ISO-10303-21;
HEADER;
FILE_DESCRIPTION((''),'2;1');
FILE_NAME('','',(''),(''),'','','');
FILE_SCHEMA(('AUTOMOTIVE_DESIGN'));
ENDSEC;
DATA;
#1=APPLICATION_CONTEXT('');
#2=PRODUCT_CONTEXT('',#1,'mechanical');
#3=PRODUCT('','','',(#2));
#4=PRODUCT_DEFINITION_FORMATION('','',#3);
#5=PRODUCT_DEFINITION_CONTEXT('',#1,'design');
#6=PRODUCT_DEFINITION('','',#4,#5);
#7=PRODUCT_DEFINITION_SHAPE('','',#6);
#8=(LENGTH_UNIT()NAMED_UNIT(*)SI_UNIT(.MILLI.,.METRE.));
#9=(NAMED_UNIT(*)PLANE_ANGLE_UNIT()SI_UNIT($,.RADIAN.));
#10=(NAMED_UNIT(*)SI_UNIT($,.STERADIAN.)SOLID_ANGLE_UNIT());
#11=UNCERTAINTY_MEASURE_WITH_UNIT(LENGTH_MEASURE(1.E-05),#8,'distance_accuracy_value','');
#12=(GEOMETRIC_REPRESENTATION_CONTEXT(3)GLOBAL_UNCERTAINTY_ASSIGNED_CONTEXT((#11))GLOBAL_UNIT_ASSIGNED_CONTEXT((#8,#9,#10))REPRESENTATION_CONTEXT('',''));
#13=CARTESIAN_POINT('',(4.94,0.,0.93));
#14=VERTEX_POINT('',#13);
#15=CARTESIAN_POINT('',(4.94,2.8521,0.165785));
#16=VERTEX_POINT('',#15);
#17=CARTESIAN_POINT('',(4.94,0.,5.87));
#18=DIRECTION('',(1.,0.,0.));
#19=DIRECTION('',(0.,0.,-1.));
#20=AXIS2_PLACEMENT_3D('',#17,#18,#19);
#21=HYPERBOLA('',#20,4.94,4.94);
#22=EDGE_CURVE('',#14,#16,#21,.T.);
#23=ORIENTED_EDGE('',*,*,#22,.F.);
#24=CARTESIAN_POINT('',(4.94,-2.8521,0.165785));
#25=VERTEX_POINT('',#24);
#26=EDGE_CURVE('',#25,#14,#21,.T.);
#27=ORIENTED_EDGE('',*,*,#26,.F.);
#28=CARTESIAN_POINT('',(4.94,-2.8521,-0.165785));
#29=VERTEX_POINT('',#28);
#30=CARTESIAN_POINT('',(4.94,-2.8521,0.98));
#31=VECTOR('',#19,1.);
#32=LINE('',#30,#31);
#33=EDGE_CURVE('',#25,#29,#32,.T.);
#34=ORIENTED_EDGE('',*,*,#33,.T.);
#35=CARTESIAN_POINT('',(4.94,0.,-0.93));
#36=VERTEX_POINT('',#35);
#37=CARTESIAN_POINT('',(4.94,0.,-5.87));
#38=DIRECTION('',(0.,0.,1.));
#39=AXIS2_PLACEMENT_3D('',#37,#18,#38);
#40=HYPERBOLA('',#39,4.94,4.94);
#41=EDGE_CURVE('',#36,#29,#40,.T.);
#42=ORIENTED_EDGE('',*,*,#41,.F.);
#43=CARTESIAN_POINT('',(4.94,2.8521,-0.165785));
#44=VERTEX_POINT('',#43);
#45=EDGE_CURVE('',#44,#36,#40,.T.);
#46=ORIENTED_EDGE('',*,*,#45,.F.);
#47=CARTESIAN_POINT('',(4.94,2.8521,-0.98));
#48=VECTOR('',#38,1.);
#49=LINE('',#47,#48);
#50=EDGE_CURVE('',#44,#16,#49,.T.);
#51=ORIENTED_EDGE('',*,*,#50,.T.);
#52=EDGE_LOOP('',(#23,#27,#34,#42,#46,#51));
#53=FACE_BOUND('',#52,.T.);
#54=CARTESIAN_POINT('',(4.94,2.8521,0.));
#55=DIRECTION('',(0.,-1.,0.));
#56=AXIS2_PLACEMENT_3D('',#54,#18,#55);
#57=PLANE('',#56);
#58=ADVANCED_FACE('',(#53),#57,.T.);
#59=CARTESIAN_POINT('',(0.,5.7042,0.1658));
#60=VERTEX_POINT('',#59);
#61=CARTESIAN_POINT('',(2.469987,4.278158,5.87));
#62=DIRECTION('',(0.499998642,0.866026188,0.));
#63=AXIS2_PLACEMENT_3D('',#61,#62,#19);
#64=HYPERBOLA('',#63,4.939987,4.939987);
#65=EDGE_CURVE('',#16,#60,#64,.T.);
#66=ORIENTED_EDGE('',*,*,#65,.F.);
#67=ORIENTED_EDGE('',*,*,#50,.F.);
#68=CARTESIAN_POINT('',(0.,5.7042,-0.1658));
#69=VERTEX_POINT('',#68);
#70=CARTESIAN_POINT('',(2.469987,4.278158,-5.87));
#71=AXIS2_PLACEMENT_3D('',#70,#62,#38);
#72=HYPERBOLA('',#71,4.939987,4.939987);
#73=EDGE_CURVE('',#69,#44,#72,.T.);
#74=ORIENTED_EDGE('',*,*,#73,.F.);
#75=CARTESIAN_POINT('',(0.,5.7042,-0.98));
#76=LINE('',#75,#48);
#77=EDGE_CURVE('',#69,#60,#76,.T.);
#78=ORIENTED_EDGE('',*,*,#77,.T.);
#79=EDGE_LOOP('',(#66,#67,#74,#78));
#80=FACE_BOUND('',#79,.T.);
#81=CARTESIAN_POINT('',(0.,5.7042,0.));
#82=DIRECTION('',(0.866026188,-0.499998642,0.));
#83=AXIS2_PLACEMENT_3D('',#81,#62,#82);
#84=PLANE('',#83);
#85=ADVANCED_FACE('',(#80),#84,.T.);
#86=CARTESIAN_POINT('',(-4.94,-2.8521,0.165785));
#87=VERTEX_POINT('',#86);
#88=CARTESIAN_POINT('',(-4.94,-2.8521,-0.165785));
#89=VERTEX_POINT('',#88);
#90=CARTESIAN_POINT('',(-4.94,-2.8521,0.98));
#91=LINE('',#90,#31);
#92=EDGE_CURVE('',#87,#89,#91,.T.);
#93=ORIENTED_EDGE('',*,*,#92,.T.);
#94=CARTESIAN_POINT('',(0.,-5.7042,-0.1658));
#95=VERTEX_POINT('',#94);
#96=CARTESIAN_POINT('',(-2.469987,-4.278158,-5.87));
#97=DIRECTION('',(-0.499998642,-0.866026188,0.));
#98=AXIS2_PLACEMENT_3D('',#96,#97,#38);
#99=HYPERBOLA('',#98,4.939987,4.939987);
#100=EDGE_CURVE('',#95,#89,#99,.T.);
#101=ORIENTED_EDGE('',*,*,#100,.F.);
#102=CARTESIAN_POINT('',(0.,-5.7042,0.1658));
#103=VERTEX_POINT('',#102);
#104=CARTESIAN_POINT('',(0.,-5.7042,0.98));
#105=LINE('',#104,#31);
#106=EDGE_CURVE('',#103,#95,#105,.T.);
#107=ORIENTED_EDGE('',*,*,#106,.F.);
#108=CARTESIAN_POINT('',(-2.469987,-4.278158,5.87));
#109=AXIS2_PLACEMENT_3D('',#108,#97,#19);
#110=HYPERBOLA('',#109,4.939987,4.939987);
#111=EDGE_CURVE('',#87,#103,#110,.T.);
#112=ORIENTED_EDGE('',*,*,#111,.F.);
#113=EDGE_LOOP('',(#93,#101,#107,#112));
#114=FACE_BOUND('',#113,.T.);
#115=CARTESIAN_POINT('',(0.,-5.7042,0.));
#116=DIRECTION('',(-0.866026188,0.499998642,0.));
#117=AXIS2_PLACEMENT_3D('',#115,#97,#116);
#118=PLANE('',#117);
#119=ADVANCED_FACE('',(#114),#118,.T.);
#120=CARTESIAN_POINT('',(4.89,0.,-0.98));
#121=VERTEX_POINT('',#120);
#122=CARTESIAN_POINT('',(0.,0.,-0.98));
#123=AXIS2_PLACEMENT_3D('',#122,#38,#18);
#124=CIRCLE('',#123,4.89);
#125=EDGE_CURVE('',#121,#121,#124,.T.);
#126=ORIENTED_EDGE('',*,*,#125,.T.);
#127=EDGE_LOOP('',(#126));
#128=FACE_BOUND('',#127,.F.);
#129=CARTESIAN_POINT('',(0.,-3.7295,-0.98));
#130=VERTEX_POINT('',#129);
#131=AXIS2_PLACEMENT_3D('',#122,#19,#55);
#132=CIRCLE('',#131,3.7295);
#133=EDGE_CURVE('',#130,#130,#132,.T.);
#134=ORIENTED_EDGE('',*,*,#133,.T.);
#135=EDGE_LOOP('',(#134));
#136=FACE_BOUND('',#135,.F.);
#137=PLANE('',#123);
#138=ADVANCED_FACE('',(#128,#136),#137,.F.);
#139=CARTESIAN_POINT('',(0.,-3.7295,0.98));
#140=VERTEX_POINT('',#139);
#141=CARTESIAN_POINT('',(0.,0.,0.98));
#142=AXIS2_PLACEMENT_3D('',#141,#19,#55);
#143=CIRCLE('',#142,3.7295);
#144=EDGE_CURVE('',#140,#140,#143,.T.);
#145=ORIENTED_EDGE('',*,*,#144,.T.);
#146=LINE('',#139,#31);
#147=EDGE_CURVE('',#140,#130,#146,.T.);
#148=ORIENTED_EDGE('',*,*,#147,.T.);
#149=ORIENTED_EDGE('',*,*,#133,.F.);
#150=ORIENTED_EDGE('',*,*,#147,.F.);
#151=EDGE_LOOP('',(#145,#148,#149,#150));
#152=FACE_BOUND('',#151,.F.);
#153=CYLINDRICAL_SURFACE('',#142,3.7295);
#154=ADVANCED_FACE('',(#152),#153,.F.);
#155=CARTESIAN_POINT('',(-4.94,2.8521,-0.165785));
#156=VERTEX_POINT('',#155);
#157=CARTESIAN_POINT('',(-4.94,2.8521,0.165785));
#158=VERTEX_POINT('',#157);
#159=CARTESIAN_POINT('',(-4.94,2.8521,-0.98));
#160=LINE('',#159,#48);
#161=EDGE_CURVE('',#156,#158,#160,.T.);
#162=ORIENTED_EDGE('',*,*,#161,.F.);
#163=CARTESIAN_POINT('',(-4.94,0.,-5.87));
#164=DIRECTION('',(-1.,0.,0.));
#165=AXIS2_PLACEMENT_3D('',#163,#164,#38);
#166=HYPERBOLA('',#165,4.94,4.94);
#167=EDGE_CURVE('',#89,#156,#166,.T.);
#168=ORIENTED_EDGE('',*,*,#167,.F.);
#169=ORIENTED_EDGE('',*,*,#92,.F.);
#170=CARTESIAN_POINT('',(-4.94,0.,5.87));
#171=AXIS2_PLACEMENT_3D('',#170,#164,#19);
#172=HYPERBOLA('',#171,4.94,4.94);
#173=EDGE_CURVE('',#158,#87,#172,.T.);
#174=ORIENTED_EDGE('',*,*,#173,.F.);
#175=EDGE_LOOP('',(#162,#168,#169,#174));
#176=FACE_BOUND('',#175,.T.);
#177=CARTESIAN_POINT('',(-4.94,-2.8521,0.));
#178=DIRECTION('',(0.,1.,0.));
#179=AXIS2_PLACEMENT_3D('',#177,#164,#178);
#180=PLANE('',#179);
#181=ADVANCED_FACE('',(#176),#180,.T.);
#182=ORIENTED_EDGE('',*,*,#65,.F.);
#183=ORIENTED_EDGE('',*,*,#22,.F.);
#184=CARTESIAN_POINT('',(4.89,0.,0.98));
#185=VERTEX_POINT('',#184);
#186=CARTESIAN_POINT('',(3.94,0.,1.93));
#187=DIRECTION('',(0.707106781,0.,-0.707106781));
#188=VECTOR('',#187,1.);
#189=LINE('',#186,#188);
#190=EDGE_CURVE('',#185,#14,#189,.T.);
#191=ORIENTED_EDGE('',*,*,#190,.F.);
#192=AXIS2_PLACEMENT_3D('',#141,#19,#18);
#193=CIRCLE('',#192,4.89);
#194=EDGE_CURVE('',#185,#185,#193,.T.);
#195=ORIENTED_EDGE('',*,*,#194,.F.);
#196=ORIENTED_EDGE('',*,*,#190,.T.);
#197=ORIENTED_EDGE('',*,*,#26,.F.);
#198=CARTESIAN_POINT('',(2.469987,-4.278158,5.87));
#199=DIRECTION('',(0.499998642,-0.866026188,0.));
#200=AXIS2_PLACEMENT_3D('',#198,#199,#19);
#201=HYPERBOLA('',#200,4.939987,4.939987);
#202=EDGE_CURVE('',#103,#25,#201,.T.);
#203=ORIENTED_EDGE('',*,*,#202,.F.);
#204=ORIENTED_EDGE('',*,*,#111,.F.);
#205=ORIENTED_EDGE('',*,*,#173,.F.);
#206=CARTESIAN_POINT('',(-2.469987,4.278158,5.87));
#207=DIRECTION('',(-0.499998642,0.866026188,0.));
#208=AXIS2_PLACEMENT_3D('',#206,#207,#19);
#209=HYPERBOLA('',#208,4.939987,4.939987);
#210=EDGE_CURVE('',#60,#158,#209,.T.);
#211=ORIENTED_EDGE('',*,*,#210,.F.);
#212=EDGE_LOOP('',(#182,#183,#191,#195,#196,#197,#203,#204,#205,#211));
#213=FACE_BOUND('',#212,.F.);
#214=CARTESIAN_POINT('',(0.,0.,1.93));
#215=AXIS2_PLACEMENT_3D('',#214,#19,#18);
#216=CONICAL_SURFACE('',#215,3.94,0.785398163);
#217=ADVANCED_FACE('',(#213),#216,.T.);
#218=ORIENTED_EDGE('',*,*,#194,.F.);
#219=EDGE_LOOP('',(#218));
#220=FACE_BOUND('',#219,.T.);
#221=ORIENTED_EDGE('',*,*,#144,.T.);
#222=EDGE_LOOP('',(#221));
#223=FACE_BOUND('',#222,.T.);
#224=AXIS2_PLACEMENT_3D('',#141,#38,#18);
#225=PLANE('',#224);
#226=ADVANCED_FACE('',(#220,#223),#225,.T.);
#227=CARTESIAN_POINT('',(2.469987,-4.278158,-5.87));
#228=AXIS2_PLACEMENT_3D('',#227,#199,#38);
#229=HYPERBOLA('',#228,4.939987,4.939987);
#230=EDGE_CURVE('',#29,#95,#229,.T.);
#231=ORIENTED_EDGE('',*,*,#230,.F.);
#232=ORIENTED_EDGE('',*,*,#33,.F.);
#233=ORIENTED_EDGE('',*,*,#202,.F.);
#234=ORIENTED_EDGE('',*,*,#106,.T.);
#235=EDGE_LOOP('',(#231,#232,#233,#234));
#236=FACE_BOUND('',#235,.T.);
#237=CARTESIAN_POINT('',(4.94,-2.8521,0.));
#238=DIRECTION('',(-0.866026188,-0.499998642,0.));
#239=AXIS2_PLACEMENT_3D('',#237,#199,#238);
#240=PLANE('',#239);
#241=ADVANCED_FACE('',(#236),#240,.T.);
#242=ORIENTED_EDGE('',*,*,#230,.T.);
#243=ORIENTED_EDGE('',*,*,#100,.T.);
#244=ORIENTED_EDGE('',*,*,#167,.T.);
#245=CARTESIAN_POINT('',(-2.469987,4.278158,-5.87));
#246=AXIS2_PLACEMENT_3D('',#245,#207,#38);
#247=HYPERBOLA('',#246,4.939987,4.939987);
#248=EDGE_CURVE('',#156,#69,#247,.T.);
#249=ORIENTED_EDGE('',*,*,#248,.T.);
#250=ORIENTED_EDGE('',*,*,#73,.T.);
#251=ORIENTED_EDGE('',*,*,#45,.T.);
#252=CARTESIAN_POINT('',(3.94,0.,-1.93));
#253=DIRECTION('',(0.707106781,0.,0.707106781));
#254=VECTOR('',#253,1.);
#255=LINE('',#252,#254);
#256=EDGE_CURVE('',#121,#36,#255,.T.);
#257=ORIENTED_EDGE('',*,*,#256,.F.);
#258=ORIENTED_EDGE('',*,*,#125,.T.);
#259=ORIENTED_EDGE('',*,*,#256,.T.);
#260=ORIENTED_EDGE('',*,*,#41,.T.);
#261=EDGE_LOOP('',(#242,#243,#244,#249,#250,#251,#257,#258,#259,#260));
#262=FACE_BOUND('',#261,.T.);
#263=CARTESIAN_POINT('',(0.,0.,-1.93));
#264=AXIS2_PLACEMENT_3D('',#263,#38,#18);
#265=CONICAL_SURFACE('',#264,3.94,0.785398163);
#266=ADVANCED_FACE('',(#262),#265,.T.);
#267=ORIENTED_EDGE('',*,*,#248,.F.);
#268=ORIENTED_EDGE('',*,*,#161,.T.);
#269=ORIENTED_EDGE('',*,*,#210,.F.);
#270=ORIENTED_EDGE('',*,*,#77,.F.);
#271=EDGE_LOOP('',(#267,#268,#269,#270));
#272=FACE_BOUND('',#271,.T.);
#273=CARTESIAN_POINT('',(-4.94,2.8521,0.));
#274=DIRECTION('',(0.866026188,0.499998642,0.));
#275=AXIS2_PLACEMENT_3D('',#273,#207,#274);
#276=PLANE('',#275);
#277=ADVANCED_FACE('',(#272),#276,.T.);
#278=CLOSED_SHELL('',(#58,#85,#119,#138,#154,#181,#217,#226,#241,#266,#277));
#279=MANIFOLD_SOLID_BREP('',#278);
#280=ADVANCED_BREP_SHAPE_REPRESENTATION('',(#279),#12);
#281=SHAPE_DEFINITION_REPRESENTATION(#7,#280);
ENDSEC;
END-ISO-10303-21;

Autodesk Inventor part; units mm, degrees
ref_plane "YZ Plane" through (0, 0, 0) normal (1, 0, 0) x (0, 1, 0)
ref_plane "XZ Plane" through (0, 0, 0) normal (0, 1, 0) x (-1, 0, 0)
ref_plane "XY Plane" through (0, 0, 0) normal (0, 0, 1) x (1, 0, 0)
sketch "Esquisse1" plane through (0, 0, 0) normal (0, 0, 1) x (1, 0, 0)
  line L0 (4.94, 2.8521) -> (4.94, -2.8521)
  line L1 (4.94, -2.8521) -> (0, -5.7042)
  line L2 (0, -5.7042) -> (-4.94, -2.8521)
  line L3 (-4.94, -2.8521) -> (-4.94, 2.8521)
  line L4 (-4.94, 2.8521) -> (0, 5.7042)
  line L5 (0, 5.7042) -> (4.94, 2.8521)
  point P0 (0, 0)
  point P1 (0, 0)
  dimension "d0" = 9.88
extrude "Extrusion1" add sketch "Esquisse1" along normal mid plane 1.96
sketch "Esquisse2" plane through (0, 0, 0.98) normal (0, 0, 1) x (1, 0, 0)
  point P0 (0, 0)
  point P1 (0, 0)
hole "Perçage1" at (0, 0, 0.98) direction (0, 0, -1) diameter 7.459 depth 18.8 tip angle 118 thread size "M8x0.5" class "6H" standard "ISO Metric profile"
sketch "Esquisse3" plane through (0, 0, 0) normal (0, 1, 0) x (-1, 0, 0)
  line L0 (-4.94, 0.98) -> (0, 0.98) construction
  line L1 (-4.94, -0.98) -> (-4.94, 0.98) construction
  line L2 (-3.94, 1.93) -> (-5.94, -0.07)
  line L3 (-5.94, -0.07) -> (-5.94, 1.93)
  line L4 (-5.94, 1.93) -> (-3.94, 1.93)
  line L5 (0, -1.432) -> (0, 1.732) projected
  point P0 (0, 0)
  point P1 (-4.89, 0.98)
  point P2 (-4.94, 0.93)
  point P3 (-4.94, 1.93)
  dimension "d12" = 0.05
  dimension "d13" = 0.05
  dimension "d14" = 2
revolve "Révolution1" cut sketch "Esquisse3" angle 360 about axis through (0, 0, -10) along (0, 0, 1)
mirror "Symétrie1" about plane through (0, 0, 0) normal (0, 0, 1) of "Révolution1"
equation "\"d13\" = d12"
properties part number "Ecrou plug alimentation" material "----------"
